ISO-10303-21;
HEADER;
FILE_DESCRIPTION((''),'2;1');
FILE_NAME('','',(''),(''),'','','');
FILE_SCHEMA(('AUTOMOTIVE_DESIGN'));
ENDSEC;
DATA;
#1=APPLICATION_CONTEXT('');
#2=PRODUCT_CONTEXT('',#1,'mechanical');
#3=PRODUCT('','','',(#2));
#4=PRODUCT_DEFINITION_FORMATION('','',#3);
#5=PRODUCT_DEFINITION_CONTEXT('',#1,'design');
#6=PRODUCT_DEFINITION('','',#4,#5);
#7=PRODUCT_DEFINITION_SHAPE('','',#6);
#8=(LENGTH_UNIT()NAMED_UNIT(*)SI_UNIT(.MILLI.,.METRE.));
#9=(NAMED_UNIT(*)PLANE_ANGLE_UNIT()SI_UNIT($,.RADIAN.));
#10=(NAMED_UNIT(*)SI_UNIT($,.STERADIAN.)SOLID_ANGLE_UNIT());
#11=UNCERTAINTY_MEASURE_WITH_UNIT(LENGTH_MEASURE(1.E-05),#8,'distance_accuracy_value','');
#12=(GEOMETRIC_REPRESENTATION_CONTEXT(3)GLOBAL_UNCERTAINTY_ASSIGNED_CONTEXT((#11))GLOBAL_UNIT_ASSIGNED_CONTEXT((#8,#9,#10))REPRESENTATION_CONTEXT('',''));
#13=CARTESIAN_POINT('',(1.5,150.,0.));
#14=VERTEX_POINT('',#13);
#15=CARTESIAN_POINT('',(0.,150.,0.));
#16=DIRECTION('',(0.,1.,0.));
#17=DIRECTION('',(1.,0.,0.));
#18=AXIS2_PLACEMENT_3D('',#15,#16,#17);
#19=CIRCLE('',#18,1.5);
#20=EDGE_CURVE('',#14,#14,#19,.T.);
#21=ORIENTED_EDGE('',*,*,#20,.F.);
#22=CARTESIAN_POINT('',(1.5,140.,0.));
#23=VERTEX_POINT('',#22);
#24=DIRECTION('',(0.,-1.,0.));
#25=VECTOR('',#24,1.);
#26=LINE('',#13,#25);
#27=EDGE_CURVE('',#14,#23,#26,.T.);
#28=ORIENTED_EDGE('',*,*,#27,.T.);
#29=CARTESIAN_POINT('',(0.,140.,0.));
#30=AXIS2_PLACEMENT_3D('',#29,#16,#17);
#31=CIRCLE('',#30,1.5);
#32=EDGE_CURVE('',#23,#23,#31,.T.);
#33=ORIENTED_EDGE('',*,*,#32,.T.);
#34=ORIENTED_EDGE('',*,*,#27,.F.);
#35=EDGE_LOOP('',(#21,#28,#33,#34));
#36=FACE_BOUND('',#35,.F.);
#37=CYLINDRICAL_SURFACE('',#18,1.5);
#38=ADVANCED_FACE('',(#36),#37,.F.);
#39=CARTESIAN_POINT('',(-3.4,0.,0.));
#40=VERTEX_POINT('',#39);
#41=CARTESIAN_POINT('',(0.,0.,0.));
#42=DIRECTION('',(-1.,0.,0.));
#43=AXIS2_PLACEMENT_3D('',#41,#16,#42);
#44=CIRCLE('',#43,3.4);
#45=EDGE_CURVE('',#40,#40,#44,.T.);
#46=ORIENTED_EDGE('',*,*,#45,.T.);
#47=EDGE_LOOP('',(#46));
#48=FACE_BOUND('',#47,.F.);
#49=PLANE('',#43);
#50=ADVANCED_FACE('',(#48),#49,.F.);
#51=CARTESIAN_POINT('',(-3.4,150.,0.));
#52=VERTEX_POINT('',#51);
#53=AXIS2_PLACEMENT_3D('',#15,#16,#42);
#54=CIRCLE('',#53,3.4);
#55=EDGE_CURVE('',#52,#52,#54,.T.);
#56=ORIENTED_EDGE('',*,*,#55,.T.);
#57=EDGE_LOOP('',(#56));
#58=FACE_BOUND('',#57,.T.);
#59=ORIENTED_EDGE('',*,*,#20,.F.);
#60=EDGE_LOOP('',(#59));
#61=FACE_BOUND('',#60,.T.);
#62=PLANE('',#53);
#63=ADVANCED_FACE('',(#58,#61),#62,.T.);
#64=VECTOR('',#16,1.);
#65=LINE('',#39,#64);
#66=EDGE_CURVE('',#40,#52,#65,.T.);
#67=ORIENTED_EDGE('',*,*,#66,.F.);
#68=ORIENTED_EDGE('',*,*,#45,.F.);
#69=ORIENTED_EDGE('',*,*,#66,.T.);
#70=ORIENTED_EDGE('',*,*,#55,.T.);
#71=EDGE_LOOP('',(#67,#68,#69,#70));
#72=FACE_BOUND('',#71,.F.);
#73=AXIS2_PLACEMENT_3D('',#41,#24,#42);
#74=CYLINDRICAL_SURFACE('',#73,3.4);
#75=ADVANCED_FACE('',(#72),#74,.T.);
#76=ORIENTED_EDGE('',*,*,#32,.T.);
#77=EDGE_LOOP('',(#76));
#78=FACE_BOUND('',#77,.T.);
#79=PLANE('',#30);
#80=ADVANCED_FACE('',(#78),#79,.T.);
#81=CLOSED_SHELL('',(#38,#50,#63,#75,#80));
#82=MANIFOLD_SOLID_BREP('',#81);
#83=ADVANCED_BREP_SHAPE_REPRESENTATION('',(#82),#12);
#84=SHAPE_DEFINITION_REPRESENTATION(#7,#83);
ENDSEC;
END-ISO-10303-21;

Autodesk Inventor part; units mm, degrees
ref_plane "YZ Plane" through (0, 0, 0) normal (1, 0, 0) x (0, 1, 0)
ref_plane "XZ Plane" through (0, 0, 0) normal (0, 1, 0) x (-1, 0, 0)
ref_plane "XY Plane" through (0, 0, 0) normal (0, 0, 1) x (1, 0, 0)
sketch "Sketch1" plane through (0, 0, 0) normal (0, 1, 0) x (-1, 0, 0)
  circle A0 centre (0, 0) radius 3.4
  dimension "d0" = 6.8
extrude "Extrusion1" add sketch "Sketch1" along normal blind 150
sketch "Sketch2" plane through (0, 150, 0) normal (0, 1, 0) x (1, 0, 0)
  circle A0 centre (0, 0) radius 1.5
  dimension "d3" = 3
extrude "Extrusion2" cut sketch "Sketch2" against normal blind 10
properties part number "Fix As Lifter_3DPrint"
